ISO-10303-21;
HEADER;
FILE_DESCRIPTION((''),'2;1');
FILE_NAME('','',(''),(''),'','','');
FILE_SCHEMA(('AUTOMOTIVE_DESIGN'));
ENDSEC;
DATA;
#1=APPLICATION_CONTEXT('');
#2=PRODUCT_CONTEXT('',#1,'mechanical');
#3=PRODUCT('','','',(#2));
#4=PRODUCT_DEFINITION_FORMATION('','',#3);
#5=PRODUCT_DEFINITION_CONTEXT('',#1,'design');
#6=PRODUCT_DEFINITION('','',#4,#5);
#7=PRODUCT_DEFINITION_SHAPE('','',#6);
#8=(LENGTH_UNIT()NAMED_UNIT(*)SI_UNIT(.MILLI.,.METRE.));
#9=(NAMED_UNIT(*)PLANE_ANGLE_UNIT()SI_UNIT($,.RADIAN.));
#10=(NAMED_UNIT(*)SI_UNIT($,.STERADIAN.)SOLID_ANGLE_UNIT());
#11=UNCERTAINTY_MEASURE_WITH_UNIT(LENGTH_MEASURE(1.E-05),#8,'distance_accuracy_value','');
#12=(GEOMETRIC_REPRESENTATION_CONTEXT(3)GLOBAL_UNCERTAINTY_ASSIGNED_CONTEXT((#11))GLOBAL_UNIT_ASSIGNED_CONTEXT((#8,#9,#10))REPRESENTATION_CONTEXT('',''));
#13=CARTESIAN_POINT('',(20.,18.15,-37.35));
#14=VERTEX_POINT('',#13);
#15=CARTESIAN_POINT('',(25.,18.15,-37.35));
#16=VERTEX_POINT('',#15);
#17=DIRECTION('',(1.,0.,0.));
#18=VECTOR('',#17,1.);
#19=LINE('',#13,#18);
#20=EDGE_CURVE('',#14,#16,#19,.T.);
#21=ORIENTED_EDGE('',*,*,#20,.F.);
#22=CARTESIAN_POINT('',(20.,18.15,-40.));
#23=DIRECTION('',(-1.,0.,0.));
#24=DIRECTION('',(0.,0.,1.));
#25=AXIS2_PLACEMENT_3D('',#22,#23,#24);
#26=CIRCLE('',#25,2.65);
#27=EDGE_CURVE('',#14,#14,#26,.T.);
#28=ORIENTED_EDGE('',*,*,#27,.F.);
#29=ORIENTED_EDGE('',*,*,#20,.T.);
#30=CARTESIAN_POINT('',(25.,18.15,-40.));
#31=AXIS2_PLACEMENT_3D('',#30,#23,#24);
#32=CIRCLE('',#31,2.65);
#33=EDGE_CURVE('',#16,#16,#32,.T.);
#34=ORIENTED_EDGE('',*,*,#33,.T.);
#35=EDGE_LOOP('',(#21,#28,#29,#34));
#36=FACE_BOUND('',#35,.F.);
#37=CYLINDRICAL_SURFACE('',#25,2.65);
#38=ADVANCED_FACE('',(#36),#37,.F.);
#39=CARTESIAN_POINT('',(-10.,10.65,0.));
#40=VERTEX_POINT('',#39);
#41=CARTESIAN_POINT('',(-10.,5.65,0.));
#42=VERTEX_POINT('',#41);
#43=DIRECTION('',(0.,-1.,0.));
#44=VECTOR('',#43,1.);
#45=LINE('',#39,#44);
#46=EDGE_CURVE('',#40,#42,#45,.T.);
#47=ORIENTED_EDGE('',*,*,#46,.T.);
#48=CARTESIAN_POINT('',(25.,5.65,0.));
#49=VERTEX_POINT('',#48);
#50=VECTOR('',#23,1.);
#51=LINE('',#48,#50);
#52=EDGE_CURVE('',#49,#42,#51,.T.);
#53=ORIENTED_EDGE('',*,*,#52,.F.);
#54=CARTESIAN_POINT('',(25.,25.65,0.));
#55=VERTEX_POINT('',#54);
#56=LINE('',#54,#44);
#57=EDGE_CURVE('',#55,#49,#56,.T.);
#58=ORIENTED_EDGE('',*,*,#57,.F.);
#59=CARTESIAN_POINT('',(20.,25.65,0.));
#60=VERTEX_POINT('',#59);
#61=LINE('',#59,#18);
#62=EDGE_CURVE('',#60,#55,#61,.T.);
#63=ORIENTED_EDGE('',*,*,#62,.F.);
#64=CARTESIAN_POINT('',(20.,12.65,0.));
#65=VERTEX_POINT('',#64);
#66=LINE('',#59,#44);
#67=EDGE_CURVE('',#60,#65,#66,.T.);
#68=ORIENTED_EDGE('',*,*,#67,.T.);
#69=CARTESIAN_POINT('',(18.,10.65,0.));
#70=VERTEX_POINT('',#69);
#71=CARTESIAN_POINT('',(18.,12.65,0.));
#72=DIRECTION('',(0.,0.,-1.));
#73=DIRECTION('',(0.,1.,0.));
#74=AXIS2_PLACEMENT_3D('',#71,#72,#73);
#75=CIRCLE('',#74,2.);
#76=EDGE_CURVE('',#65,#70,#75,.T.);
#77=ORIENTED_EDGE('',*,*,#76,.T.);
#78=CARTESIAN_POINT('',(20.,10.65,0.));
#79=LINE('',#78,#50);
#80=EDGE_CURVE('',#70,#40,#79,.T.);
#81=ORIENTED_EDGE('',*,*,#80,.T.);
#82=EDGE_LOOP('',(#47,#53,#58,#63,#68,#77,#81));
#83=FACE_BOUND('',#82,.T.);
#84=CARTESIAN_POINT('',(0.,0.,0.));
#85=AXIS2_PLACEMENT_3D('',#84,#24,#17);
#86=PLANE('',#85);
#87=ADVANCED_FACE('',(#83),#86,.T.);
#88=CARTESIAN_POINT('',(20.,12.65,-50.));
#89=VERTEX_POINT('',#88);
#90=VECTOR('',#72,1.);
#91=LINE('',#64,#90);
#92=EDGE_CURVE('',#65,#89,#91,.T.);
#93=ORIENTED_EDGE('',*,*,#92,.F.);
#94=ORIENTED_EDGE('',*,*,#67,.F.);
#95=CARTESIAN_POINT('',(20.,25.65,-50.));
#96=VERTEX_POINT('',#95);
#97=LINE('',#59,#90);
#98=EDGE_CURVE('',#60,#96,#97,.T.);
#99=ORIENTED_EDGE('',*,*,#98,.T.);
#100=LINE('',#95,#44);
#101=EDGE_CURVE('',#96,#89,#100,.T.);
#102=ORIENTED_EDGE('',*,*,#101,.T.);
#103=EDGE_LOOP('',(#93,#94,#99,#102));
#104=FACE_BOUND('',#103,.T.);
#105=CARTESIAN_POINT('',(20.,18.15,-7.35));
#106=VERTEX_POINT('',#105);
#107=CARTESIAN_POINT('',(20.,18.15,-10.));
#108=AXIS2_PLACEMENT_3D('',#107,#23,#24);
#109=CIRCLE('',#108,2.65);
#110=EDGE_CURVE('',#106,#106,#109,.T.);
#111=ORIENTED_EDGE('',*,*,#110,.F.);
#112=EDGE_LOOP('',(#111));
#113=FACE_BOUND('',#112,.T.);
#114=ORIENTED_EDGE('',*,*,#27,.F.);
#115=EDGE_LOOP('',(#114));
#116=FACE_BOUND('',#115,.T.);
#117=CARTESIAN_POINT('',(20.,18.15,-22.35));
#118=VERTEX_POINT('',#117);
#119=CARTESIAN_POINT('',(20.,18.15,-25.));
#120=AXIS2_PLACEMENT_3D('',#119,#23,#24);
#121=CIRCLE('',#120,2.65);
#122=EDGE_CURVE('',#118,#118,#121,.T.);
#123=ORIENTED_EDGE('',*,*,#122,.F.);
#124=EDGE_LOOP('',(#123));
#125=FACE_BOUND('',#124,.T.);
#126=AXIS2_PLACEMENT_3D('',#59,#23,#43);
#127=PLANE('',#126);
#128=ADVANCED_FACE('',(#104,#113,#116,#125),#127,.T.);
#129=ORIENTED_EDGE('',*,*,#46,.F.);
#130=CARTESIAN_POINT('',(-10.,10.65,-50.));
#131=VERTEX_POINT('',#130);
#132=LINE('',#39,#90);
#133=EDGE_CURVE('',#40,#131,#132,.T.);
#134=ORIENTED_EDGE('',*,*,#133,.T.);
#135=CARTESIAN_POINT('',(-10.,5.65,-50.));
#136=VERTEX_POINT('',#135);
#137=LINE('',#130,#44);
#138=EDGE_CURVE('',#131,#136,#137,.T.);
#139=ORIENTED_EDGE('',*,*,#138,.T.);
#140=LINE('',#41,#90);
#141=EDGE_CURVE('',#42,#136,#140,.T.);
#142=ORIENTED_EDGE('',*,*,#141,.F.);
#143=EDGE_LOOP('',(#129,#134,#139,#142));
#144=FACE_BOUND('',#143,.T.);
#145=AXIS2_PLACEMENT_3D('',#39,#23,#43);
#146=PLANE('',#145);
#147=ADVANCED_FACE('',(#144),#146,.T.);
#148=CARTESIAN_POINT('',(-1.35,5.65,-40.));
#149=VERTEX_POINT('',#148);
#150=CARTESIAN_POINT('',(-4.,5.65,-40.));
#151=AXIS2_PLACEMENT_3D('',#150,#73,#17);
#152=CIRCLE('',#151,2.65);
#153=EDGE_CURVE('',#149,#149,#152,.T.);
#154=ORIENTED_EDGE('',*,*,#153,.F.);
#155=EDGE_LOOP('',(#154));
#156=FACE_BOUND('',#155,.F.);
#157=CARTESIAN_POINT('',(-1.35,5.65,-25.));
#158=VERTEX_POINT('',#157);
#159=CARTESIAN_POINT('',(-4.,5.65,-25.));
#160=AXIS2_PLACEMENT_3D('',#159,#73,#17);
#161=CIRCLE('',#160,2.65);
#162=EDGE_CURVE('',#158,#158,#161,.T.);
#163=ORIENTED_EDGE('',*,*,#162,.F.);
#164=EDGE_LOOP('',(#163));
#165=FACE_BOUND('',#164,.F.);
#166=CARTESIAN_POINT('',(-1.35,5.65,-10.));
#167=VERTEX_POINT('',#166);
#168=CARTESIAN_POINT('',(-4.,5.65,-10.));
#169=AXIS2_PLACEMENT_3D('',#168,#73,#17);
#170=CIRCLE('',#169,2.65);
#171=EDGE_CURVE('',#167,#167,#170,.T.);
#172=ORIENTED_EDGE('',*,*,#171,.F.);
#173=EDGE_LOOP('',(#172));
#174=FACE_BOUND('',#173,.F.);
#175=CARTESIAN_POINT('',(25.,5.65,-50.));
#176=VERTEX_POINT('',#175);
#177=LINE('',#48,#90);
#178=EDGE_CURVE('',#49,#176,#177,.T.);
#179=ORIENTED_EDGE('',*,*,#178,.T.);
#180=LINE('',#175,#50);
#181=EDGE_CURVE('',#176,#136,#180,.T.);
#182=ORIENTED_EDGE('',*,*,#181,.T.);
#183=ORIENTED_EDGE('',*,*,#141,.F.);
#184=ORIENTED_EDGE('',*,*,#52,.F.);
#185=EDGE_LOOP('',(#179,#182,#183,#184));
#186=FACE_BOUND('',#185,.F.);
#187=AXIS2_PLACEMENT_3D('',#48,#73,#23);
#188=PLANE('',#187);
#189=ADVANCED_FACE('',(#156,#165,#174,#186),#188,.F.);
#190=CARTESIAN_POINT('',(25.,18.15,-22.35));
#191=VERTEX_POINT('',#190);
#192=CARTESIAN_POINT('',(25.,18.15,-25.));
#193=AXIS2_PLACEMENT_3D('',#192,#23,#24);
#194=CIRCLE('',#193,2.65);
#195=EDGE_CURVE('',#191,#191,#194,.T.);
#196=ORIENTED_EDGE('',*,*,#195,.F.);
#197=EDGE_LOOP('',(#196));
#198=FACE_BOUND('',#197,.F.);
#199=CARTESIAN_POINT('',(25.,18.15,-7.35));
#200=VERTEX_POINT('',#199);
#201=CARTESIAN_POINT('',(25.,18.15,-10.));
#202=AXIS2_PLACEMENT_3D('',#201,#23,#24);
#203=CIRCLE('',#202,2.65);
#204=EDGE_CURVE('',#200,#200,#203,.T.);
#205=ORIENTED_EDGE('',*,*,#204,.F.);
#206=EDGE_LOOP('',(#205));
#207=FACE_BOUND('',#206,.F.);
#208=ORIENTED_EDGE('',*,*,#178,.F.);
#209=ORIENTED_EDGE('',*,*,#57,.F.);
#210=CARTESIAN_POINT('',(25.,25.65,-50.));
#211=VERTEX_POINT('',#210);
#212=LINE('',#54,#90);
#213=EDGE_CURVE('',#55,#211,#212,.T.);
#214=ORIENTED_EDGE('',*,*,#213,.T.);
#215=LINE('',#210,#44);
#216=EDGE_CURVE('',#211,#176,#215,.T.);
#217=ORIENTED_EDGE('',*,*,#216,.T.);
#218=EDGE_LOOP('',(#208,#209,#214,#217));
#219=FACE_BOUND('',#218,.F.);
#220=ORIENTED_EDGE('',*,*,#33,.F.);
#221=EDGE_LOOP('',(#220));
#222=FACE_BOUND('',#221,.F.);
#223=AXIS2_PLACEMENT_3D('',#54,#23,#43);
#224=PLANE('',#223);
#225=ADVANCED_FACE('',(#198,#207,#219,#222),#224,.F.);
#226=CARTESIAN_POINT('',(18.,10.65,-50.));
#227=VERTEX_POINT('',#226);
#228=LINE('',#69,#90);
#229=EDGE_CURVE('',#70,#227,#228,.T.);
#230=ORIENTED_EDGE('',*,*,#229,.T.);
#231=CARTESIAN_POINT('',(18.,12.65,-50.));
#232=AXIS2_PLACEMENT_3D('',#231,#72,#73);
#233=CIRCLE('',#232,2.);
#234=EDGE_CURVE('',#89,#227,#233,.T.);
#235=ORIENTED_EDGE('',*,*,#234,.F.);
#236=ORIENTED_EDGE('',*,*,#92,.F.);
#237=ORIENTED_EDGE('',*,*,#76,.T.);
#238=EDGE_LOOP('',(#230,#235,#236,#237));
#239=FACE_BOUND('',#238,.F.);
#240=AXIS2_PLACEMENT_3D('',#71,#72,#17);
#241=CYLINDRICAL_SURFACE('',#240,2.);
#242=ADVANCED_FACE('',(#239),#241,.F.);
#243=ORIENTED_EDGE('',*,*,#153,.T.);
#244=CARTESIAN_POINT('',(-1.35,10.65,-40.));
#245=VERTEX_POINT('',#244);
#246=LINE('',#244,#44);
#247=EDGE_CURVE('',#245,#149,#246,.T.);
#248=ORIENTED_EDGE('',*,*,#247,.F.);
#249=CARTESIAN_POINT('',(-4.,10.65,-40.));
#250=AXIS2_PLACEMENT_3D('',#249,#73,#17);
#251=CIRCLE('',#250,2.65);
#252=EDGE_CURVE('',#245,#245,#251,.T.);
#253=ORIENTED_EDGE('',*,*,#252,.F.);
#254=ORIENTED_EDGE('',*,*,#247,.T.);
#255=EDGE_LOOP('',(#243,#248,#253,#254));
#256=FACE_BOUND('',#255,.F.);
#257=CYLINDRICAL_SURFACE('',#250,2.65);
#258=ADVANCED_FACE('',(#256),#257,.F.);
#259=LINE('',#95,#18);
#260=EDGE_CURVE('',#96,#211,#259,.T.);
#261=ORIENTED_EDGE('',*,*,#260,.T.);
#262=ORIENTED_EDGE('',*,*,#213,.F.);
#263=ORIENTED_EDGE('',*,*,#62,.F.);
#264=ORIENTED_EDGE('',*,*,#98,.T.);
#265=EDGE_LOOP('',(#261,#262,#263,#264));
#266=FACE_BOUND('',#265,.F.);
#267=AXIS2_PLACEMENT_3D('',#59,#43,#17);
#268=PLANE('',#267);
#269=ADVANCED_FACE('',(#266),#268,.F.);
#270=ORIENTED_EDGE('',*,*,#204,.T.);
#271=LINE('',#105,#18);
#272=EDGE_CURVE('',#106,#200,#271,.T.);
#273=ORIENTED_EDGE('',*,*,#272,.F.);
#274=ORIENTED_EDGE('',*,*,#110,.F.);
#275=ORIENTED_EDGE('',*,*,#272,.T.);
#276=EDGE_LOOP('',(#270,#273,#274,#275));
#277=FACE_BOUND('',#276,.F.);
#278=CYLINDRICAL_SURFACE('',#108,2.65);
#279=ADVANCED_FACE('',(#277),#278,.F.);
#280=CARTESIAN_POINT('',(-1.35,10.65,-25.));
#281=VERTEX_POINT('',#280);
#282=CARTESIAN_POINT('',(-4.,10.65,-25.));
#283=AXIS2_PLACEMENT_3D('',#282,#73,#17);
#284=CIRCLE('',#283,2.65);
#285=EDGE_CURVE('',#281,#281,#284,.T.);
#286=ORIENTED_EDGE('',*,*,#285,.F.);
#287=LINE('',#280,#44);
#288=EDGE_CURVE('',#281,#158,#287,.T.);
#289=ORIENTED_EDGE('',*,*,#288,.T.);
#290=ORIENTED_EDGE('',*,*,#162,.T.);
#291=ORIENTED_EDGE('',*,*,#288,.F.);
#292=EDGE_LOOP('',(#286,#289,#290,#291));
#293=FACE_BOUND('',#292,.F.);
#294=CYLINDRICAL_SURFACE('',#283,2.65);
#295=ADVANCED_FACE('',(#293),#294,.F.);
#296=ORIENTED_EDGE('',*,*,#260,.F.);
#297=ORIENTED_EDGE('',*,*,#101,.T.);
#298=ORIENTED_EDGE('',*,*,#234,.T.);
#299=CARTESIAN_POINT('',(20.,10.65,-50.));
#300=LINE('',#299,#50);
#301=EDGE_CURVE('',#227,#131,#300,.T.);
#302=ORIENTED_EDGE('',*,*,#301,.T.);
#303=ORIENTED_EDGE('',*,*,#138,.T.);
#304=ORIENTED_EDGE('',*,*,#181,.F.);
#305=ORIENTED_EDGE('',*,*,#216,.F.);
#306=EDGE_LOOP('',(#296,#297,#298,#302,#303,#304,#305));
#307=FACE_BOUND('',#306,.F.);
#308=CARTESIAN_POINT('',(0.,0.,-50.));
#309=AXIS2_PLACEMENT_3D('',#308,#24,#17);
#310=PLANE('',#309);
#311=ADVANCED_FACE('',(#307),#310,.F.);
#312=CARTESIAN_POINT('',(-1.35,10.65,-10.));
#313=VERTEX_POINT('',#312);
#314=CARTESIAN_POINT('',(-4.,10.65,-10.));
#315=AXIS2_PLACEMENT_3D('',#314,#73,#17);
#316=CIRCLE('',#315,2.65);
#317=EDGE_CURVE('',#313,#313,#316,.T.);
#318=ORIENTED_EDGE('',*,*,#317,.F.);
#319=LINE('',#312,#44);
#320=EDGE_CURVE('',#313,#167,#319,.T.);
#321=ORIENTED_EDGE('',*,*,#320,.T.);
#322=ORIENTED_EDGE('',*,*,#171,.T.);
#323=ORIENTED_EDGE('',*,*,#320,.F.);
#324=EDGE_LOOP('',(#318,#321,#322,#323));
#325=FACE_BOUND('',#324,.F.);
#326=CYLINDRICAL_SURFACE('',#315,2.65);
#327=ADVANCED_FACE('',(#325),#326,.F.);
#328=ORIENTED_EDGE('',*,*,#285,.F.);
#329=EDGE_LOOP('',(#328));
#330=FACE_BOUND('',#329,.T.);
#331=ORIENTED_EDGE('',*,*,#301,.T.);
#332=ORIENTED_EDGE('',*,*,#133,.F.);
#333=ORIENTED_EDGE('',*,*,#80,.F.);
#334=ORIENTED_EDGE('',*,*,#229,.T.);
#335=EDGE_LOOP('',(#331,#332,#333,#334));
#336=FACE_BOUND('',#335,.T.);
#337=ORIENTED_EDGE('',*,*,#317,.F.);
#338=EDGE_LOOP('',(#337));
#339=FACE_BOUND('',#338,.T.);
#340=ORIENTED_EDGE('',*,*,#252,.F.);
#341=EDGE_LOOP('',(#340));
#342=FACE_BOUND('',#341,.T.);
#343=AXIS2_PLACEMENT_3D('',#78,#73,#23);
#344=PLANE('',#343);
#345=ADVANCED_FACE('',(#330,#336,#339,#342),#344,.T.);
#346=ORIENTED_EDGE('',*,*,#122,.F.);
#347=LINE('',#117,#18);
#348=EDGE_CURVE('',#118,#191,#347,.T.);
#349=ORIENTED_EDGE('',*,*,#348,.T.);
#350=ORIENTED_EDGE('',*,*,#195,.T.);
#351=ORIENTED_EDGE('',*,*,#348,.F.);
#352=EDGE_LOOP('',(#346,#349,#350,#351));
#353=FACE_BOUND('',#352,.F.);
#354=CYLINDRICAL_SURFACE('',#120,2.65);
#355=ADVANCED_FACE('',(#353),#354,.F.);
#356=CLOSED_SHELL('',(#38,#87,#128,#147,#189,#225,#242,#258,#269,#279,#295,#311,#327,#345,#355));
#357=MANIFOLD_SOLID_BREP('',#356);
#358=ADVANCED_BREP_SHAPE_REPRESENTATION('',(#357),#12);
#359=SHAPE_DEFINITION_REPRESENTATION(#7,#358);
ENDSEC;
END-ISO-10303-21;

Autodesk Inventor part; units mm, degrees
ref_plane "YZ Plane" through (0, 0, 0) normal (1, 0, 0) x (0, 1, 0)
ref_plane "XZ Plane" through (0, 0, 0) normal (0, 1, 0) x (-1, 0, 0)
ref_plane "XY Plane" through (0, 0, 0) normal (0, 0, 1) x (1, 0, 0)
sketch "Sketch1" plane through (0, 0, 0) normal (0, 0, 1) x (1, 0, 0)
  line L0 (25, 5.55) -> (-25, 5.55) construction
  line L1 (-25, 5.55) -> (-25, -5.55) construction
  line L2 (-25, -5.55) -> (25, -5.55) construction
  line L3 (25, -5.55) -> (25, 5.55) construction
  line L4 (25.1, -5.55) -> (25.1, 149.35) construction
  line L5 (25.1, -5.55) -> (35.1, -5.55) construction
  line L6 (35.1, -5.55) -> (35.1, 149.35) construction
  line L7 (25.1, 149.35) -> (35.1, 149.35) construction
  line L8 (25, 25.65) -> (25, 5.65)
  line L9 (25, 5.65) -> (-10, 5.65)
  line L10 (20, 25.65) -> (20, 10.65)
  line L11 (20, 10.65) -> (-10, 10.65)
  line L12 (20, 25.65) -> (25, 25.65)
  line L13 (-10, 10.65) -> (-10, 5.65)
  point P0 (0, 0)
  dimension "d0" = 0.1
  dimension "d1" = 0.1
  dimension "d2" = 5
  dimension "d3" = 35
  dimension "d4" = 20
extrude "Extrusion1" add sketch "Sketch1" against normal blind 50
sketch "Sketch2" plane through (20, 10.65, 0) normal (-1, 0, 0) x (0, 0, 1)
  circle A0 centre (-40, 7.5) radius 2.65
  line L0 (-50, 0) -> (-50, 15) projected
  line L1 (-50, 7.5) -> (-0.7445, 7.5) construction
  line L2 (0, 15) -> (-50, 15) projected
  line L3 (-25, 15) -> (-25, 0) construction
  line L4 (0, 0) -> (-50, 0) projected
  circle A1 centre (-10, 7.5) radius 2.65
  circle A2 centre (-25, 7.5) radius 2.65
  point P0 (0, -10.65)
  dimension "d7" = 5.3
  dimension "d8" = 10
  dimension "d9" = 5.3
extrude "Extrusion2" cut sketch "Sketch2" against normal through all
sketch "Sketch3" plane through (-10, 10.65, 0) normal (0, 1, 0) x (1, 0, 0)
  circle A0 centre (6, 10) radius 2.65
  line L0 (30, 0) -> (0, 0) projected
  line L1 (0, 0) -> (0, 50) projected
  line L2 (6, 0) -> (6, 49.4853) construction
  line L3 (0, 0) -> (0, 50) projected
  line L4 (0, 25) -> (30, 25) construction
  line L5 (30, 22.35) -> (30, 27.65) projected
  circle A1 centre (6, 40) radius 2.65
  circle A2 centre (6, 25) radius 2.65
  point P0 (10, 0)
  dimension "d12" = 5.3
  dimension "d13" = 10
  dimension "d14" = 6
  dimension "d15" = 5.3
extrude "Extrusion3" cut sketch "Sketch3" against normal through all
fillet "Fillet1" radius 2 1 edges at (20, 10.65, -25)
equation "\"d9\" = d7"
equation "\"d15\" = d12"
properties part number "Linear Rail Frame Bracket"
